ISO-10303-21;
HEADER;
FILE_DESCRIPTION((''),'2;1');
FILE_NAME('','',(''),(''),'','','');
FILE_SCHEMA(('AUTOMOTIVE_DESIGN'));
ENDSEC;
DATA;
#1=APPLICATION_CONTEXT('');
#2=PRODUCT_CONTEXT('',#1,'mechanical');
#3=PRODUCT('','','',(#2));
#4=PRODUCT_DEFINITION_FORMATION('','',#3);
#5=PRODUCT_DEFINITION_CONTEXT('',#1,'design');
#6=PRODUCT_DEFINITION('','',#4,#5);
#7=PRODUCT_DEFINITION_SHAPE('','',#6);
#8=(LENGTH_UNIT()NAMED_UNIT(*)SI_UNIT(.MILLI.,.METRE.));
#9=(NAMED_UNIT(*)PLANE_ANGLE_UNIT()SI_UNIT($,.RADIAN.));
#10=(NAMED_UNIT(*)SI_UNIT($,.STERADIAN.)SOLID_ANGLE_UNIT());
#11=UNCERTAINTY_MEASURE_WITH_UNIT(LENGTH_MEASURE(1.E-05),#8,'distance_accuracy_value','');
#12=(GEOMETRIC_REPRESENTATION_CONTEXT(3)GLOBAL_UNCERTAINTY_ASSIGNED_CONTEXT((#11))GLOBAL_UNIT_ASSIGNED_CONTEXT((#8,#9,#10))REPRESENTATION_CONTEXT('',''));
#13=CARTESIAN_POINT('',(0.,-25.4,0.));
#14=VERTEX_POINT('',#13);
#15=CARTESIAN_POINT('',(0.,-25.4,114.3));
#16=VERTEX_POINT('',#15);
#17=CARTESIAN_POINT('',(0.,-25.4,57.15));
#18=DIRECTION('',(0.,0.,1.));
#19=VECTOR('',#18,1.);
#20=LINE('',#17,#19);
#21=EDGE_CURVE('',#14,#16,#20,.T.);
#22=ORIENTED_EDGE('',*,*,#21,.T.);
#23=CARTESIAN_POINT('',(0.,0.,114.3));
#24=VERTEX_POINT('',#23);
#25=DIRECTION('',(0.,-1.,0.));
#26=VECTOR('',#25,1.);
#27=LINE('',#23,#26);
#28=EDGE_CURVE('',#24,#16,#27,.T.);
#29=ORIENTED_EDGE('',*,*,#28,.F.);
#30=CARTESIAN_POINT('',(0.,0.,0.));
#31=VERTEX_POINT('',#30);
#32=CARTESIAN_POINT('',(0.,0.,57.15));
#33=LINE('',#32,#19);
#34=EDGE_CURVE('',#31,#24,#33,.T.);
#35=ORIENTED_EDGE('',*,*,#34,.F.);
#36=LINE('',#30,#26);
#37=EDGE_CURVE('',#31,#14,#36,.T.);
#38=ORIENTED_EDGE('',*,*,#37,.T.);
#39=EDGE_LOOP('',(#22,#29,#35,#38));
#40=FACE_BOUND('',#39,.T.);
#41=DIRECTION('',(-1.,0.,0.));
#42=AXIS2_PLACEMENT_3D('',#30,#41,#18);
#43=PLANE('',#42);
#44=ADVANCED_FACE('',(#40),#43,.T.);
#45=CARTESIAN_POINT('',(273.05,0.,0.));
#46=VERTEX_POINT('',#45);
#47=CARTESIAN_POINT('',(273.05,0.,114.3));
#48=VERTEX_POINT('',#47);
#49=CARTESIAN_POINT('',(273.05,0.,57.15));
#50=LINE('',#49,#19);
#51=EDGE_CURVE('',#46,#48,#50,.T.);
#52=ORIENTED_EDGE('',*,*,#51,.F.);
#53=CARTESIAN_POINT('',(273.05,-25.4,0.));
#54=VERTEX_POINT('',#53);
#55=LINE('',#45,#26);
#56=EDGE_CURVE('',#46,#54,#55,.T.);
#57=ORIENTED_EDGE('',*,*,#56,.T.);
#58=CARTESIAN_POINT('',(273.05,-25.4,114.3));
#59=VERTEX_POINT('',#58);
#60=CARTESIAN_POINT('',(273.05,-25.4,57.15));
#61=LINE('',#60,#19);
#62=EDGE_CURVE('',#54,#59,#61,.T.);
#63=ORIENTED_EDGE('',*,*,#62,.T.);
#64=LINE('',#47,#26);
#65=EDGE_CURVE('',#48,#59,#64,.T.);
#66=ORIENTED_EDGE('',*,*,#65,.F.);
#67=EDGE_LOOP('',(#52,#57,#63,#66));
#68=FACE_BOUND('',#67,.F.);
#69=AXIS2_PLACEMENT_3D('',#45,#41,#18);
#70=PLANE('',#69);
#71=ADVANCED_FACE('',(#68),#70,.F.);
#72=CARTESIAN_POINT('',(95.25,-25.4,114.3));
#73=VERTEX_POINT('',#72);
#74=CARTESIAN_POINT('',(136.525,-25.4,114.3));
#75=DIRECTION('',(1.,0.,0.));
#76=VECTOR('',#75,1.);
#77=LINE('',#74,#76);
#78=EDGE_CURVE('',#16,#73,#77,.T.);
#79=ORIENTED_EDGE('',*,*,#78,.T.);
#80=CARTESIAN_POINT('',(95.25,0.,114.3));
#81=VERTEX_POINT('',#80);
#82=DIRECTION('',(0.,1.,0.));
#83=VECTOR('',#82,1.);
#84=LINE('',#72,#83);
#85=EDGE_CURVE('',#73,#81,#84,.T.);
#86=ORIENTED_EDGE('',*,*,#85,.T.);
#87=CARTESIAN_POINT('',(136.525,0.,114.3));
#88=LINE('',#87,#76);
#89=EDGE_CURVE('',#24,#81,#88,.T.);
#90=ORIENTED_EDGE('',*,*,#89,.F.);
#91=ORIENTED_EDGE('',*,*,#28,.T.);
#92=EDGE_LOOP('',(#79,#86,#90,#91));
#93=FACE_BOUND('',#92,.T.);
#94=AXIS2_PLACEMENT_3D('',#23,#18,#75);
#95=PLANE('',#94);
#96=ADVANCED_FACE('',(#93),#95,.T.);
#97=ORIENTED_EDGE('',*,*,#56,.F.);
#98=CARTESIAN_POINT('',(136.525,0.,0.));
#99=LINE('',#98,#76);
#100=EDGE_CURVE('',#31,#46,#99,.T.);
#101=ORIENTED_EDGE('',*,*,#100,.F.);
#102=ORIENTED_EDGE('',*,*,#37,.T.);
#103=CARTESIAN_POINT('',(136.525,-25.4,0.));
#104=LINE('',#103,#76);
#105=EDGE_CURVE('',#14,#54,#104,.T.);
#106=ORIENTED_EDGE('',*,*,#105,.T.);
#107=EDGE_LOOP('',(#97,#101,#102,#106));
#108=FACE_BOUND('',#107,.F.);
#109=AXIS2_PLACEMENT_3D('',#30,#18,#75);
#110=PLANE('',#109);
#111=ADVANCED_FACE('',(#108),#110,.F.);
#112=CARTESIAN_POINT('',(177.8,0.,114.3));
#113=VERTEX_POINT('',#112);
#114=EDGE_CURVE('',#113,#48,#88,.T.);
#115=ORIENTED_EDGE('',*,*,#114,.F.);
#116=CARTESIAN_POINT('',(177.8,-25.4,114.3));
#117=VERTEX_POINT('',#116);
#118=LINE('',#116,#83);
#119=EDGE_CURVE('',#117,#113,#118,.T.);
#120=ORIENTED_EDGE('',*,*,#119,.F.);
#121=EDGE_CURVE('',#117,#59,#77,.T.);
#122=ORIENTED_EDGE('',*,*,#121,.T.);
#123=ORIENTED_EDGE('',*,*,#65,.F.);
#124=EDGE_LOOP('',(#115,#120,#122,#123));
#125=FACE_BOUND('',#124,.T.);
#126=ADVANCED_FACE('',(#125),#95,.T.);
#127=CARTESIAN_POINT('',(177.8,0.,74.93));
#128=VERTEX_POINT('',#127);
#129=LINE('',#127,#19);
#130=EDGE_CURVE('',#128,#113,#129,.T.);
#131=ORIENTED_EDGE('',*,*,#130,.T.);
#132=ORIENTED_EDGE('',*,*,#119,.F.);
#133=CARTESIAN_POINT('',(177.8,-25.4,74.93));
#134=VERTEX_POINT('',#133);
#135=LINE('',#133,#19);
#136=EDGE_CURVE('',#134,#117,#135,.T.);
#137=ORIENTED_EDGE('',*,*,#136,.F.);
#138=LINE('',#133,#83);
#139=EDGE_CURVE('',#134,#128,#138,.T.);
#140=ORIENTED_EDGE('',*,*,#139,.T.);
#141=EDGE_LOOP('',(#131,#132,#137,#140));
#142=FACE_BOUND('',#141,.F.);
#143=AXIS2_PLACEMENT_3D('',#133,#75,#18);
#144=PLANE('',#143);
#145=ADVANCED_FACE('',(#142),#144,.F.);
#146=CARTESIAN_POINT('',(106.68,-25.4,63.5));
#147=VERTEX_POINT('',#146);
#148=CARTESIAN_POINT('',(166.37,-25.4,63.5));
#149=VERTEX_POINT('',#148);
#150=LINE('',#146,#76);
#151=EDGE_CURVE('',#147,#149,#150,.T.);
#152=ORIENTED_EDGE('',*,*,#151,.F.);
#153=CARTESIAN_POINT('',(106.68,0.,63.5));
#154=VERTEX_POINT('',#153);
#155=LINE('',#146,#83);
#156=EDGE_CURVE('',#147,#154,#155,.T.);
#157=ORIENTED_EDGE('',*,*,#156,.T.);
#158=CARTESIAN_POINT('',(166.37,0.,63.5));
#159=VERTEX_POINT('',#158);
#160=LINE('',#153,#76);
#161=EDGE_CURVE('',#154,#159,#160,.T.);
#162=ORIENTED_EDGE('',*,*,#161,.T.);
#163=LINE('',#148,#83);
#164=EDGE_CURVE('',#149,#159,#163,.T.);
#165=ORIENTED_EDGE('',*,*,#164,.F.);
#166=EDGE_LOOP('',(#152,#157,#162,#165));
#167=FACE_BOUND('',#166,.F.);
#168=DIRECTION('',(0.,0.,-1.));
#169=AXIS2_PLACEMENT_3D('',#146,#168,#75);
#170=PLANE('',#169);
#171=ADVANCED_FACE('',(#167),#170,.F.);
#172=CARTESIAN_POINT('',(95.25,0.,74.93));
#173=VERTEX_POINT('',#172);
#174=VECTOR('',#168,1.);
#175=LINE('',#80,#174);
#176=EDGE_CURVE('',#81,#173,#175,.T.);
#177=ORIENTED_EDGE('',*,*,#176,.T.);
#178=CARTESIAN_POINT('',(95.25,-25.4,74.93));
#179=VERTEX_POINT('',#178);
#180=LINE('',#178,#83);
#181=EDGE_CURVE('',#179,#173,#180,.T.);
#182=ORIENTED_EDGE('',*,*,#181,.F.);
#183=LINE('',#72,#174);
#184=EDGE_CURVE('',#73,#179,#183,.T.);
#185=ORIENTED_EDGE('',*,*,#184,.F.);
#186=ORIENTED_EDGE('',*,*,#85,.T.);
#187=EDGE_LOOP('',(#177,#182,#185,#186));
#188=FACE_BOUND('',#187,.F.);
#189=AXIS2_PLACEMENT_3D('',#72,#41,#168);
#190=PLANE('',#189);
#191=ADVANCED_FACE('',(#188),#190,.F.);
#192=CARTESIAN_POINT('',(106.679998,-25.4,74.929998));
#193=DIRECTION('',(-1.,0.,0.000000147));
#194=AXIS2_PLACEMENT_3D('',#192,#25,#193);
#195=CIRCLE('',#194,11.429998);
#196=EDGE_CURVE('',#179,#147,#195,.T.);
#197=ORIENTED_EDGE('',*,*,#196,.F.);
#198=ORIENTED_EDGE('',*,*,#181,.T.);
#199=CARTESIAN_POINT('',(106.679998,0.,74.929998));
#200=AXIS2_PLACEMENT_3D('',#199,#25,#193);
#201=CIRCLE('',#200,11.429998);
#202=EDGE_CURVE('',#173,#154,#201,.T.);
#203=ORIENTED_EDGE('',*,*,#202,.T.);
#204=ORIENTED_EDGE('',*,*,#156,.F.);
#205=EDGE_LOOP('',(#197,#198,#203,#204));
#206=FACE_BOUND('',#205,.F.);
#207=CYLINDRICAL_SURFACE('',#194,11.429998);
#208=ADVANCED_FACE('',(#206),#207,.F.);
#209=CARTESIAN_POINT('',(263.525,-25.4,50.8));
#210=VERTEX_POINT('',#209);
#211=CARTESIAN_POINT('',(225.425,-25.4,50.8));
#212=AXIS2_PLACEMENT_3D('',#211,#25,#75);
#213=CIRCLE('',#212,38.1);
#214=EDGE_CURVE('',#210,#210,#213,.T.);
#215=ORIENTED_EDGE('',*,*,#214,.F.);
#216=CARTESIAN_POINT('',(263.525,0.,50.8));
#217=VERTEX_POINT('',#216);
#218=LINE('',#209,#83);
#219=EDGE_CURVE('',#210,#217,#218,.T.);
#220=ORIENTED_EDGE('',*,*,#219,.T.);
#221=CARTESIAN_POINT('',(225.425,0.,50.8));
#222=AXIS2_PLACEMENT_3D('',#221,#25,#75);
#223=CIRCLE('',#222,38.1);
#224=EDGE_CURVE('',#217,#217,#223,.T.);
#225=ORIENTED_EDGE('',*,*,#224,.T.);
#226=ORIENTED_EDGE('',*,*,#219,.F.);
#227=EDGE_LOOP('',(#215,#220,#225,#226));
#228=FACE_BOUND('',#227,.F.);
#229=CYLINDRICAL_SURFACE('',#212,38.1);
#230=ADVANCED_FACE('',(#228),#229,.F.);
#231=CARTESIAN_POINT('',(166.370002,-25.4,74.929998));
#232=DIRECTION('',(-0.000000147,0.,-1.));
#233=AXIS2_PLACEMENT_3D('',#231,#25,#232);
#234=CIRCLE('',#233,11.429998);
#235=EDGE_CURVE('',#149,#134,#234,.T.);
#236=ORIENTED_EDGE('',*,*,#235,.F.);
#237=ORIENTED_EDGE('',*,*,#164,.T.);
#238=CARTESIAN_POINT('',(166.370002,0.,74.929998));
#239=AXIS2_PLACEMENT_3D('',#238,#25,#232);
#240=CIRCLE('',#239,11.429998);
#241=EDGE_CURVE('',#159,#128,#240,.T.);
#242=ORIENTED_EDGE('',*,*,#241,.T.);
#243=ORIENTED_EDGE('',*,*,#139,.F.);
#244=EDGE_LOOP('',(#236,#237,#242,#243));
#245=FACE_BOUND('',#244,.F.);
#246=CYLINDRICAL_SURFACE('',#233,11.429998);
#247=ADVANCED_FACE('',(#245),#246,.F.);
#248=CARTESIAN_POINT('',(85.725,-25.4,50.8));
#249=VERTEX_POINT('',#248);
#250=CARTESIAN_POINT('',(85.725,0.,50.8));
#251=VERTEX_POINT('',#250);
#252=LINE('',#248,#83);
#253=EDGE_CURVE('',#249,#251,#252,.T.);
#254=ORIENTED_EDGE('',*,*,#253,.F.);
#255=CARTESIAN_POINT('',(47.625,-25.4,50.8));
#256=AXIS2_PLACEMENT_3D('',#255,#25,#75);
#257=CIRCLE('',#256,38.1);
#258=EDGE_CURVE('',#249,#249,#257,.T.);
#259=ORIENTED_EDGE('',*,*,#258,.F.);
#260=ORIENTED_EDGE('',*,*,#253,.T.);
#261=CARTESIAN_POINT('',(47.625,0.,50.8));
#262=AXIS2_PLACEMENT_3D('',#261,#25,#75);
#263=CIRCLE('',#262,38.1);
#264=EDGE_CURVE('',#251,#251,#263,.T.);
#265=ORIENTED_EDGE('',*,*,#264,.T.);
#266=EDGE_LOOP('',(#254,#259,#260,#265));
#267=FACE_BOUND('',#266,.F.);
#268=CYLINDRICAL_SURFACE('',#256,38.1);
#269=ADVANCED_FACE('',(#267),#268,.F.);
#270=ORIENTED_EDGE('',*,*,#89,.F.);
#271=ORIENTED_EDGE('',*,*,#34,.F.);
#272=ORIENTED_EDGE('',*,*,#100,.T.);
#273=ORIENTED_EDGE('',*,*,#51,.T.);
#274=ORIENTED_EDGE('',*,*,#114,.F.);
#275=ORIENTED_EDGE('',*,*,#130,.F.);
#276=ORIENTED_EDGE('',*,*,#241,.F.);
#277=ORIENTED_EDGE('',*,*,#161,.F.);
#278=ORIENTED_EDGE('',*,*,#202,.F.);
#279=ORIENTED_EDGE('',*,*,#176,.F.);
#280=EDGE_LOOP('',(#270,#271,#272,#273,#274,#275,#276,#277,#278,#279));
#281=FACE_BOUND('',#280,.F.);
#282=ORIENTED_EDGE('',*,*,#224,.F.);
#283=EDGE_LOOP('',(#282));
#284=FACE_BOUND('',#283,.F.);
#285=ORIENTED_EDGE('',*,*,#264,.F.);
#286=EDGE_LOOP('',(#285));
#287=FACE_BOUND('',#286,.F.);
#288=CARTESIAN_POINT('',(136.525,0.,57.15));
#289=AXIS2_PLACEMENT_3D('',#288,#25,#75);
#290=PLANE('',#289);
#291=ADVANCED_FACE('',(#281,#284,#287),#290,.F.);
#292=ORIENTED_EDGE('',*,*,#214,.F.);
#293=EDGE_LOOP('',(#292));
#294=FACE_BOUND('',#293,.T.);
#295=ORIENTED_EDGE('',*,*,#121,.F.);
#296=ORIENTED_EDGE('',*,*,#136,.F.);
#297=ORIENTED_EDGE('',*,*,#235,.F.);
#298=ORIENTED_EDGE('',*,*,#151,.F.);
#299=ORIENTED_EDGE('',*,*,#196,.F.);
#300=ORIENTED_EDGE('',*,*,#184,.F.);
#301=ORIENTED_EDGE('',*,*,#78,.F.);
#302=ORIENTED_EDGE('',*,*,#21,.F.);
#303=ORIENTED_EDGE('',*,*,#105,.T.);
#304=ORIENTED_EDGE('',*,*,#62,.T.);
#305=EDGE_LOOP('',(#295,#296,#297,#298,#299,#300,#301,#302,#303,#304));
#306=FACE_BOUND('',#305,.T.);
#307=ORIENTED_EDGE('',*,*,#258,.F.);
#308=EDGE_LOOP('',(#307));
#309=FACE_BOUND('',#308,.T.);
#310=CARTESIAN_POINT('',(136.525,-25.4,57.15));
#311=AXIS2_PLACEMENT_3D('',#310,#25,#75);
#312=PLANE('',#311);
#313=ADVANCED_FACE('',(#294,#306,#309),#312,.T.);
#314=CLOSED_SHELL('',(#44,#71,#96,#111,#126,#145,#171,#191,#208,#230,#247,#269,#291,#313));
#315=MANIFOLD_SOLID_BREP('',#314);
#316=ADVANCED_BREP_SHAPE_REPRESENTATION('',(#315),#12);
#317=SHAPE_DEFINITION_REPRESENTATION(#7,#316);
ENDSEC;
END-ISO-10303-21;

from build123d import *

# Parameters (mm, degrees)
F0_W     = 273.05
F0_H     = 114.3
F1_DEPTH = 25.4
F2_R     = 38.1
F3_DEPTH = 25.4
F5_DEPTH = 25.4


with BuildPart() as f1:
    # F0 (on Front) → F1 (new body)
    with BuildSketch(Plane.XZ):
        with Locations((136.525, 57.15)):
            Rectangle(F0_W, F0_H)
    extrude(amount=F1_DEPTH)

    # F2 (on face) → F3 (cut)
    with BuildSketch(Plane.XZ.offset(25.4)):
        with Locations((47.625, 50.8)):
            Circle(F2_R)
        with Locations((225.425, 50.8)):
            Circle(F2_R)
    extrude(amount=-F3_DEPTH, mode=Mode.SUBTRACT)

    # F4 (on face) → F5 (cut)
    with BuildSketch(Plane.XZ.offset(25.4)):
        with BuildLine():
            Line((177.8, 114.3), (95.25, 114.3))
            Line((95.25, 114.3), (95.25, 74.93))
            ThreePointArc((95.25, 74.93), (98.597769, 66.847769), (106.68, 63.5))
            Line((106.68, 63.5), (166.37, 63.5))
            ThreePointArc((166.37, 63.5), (174.452231, 66.847769), (177.8, 74.93))
            Line((177.8, 74.93), (177.8, 114.3))
        make_face()
    extrude(amount=-F5_DEPTH, mode=Mode.SUBTRACT)


solid = f1.part
